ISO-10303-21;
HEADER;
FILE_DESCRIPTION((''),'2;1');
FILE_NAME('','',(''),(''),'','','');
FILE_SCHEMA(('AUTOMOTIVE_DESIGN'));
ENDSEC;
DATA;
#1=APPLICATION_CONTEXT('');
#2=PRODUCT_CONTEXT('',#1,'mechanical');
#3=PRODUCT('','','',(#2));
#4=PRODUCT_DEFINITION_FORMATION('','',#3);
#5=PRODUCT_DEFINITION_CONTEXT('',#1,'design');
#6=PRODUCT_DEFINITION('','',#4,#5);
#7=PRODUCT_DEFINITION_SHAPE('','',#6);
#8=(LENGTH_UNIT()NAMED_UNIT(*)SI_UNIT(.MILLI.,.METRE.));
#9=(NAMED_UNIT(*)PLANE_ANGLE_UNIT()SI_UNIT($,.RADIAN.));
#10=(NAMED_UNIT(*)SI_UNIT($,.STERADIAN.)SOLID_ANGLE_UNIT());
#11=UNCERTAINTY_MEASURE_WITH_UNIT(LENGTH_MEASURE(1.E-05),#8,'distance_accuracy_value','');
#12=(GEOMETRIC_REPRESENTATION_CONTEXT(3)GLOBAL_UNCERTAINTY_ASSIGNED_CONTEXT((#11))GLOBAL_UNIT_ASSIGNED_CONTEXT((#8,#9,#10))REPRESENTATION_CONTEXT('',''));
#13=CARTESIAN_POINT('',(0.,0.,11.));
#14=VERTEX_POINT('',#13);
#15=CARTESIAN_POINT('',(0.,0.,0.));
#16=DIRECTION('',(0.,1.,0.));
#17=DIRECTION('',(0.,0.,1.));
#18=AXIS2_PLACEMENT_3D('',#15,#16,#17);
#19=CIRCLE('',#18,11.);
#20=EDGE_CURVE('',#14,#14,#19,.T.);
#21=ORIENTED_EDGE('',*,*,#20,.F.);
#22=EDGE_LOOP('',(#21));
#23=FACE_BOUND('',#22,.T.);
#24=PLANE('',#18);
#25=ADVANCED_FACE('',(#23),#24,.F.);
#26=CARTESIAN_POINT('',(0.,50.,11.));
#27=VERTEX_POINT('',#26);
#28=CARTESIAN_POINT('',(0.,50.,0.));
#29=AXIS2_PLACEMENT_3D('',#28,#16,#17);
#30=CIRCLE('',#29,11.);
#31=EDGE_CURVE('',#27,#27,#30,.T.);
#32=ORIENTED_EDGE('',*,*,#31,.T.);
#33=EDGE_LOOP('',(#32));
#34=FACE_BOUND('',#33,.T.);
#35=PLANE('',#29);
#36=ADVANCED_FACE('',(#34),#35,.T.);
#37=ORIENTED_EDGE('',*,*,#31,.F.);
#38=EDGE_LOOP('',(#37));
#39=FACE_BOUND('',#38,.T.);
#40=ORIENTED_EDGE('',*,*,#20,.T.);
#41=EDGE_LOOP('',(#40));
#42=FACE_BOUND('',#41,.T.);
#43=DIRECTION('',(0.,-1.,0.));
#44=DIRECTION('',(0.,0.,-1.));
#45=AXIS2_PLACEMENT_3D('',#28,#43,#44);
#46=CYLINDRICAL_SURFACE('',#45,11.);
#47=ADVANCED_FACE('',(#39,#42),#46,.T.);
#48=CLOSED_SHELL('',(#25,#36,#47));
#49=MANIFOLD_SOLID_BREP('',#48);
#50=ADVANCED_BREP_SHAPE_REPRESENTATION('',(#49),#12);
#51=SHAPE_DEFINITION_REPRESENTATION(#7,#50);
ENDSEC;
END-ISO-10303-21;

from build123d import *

# Parameters (mm, degrees)
IZIM1_R                     = 11
Y_KSEKLIK_EKSTR_ZYON1_DEPTH = 50


with BuildPart() as part:
    # Çizim1 → Yükseklik-Ekstrüzyon1 (new body)
    with BuildSketch(Plane(origin=(0, 0, 0), x_dir=(1, 0, 0), z_dir=(0, 1, 0))):
        with Locations(Location((0, 0, 0), (0, 0, 270))):
            Circle(IZIM1_R)
    extrude(amount=Y_KSEKLIK_EKSTR_ZYON1_DEPTH)


solid = part.part
